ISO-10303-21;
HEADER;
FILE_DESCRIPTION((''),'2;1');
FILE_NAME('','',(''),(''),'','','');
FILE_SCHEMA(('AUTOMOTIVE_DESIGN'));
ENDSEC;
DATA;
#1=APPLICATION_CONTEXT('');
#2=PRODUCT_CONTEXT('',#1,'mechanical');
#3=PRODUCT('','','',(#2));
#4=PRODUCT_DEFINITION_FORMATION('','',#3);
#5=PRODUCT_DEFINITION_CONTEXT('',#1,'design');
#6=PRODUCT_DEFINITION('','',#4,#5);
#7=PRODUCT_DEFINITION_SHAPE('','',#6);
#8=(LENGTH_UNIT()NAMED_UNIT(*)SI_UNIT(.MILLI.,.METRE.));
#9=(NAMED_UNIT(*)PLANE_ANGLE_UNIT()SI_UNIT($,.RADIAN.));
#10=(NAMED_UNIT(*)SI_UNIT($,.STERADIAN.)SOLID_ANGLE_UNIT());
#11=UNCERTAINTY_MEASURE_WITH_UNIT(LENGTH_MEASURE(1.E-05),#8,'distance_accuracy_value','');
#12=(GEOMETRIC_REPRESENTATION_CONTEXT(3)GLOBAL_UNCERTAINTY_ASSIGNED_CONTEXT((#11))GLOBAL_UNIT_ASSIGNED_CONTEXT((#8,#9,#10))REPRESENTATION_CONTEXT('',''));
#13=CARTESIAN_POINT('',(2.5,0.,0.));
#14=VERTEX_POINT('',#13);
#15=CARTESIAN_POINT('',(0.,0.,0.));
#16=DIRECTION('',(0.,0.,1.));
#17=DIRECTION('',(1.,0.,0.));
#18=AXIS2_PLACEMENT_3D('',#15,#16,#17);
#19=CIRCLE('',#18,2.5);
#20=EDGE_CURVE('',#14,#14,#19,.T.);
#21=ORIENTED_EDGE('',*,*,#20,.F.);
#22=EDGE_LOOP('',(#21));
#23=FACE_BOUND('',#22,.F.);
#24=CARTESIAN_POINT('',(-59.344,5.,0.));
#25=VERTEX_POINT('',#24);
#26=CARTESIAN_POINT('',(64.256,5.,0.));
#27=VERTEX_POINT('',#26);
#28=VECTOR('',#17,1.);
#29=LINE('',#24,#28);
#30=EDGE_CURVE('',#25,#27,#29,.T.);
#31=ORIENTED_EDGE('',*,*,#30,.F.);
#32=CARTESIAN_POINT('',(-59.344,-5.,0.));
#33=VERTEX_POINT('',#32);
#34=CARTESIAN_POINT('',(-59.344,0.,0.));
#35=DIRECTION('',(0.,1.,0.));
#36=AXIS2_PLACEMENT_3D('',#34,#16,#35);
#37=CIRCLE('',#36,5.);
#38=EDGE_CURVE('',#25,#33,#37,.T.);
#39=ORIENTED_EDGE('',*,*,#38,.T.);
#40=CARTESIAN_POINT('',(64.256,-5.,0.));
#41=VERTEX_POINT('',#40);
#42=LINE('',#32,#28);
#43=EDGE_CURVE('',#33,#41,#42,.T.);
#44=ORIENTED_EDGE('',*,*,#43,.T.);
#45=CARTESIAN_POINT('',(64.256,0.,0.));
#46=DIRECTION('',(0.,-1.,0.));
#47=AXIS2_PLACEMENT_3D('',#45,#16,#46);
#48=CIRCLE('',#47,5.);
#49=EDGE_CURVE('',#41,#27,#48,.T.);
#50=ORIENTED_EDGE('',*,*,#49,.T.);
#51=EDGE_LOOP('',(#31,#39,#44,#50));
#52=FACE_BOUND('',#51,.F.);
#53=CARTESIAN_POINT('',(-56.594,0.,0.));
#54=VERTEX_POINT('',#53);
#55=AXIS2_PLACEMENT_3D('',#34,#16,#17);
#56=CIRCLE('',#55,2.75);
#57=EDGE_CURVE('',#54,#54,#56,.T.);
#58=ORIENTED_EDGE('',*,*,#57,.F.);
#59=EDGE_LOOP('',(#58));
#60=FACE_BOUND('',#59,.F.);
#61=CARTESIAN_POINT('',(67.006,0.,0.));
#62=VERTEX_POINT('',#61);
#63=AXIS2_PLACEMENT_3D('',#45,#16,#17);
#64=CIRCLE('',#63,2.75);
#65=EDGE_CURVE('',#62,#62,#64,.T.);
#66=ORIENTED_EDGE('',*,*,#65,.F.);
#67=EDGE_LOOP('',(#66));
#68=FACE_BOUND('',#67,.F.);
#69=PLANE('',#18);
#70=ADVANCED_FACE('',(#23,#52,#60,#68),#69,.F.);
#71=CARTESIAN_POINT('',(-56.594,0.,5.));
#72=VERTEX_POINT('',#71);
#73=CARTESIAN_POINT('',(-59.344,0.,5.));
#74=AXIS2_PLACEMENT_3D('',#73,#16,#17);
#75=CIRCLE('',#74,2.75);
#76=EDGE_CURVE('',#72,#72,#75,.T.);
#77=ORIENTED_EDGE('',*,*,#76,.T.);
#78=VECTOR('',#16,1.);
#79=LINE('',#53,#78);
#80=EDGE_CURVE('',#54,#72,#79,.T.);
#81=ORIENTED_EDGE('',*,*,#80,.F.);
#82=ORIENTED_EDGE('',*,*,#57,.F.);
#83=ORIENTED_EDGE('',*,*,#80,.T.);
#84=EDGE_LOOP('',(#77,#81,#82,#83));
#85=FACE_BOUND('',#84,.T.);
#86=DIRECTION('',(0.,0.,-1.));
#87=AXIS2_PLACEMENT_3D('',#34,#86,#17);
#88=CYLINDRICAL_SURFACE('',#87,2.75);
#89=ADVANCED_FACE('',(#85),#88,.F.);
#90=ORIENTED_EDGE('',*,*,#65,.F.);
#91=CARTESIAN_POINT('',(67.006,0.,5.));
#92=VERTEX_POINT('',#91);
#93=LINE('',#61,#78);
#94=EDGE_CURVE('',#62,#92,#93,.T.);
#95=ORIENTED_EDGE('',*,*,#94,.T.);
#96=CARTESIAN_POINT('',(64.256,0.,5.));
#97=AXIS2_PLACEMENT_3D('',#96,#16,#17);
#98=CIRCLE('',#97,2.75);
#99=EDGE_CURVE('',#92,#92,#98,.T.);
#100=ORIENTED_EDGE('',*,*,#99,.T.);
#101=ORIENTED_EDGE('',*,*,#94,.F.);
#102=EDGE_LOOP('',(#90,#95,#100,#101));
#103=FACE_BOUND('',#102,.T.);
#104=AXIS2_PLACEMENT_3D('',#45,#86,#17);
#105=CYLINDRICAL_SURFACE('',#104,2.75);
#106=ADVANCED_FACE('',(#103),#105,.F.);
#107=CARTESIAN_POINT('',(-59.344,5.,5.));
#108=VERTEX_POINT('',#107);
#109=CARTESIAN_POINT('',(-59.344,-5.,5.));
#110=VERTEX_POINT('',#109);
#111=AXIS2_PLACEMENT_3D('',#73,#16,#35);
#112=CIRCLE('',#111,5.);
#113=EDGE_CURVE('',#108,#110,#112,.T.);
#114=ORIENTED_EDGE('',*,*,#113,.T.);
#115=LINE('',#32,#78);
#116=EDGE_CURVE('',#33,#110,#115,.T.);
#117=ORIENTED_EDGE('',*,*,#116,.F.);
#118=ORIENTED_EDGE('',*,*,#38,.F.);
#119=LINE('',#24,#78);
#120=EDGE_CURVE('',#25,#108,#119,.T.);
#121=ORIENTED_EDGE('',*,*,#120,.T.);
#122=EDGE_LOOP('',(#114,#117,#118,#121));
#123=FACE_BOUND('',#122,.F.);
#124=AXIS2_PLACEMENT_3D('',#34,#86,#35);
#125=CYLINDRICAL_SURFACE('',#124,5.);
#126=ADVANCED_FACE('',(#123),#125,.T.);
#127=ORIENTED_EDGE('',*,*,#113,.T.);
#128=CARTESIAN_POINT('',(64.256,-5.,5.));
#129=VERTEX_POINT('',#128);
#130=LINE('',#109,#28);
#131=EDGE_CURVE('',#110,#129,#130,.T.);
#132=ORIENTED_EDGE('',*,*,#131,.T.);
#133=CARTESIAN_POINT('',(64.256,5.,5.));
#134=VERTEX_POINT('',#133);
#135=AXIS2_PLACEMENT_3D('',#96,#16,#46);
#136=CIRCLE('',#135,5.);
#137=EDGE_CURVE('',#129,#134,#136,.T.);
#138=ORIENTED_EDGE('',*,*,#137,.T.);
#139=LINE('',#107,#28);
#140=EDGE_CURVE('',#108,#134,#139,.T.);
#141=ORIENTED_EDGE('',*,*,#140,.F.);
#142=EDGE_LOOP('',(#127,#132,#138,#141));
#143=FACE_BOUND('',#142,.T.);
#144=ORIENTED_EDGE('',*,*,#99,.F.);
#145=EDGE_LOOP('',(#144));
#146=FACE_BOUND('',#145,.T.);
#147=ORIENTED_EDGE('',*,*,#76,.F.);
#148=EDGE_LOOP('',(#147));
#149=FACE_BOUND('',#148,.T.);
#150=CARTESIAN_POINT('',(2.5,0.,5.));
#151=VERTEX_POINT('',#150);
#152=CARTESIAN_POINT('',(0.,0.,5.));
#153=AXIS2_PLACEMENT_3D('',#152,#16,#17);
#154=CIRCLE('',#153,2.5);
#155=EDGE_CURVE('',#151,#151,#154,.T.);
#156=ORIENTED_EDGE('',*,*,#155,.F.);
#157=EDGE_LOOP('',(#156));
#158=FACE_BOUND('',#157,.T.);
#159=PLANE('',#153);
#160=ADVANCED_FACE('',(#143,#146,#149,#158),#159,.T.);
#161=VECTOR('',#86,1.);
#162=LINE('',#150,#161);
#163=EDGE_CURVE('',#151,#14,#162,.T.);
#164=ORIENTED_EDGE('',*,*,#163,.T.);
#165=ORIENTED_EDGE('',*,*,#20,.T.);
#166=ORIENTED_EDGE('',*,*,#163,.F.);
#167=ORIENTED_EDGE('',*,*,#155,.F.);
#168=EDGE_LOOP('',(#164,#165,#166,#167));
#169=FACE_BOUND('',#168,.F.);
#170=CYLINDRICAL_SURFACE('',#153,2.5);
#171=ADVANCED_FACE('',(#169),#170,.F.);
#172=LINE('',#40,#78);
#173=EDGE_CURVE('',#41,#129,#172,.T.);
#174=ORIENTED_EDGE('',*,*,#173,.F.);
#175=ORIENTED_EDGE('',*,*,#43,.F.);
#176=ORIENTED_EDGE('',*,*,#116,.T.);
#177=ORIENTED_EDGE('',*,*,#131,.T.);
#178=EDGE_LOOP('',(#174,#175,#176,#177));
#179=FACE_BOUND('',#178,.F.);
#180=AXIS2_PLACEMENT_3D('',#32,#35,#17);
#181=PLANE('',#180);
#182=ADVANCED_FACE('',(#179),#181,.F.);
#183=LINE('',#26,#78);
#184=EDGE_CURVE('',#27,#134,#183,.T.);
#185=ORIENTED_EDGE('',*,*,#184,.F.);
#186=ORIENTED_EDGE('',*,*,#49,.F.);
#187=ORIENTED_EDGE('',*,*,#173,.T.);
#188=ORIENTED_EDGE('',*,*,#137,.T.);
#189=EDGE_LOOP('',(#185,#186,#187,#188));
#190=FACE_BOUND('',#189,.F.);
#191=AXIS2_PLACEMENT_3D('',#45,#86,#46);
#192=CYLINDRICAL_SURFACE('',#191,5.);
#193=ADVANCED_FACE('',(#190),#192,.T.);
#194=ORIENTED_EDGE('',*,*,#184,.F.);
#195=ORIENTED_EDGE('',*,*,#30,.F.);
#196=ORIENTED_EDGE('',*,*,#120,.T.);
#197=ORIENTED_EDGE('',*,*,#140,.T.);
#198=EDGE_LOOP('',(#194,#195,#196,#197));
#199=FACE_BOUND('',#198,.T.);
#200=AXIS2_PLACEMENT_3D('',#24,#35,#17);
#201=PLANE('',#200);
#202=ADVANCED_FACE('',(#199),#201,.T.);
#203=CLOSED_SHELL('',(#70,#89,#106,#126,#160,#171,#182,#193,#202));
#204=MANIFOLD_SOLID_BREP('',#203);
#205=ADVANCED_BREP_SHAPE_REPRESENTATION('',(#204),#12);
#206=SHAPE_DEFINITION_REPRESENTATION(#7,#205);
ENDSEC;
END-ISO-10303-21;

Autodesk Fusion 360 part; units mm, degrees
sketch "Boceto1" plane through (0, 0, 0) normal (0, 0, 1) x (1, 0, 0)
  line L0 (0, -23.8223) -> (0, 23.8223) construction
  circle A0 centre (64.256, 0) radius 2.75
  line L1 (-59.344, 5) -> (64.256, 5)
  line L2 (0, 0) -> (11, 0) construction
  line L3 (-59.344, -5) -> (64.256, -5)
  arc A1 (64.256, -5) -> (64.256, 5) centre (64.256, 0) ccw
  circle A2 centre (-59.344, 0) radius 2.75
  arc A3 (-59.344, 5) -> (-59.344, -5) centre (-59.344, 0) ccw
  dimension "d1" = 5.5
  dimension "d2" = 64.256
  dimension "d4" = 10
  dimension "d10" = 5.5
  dimension "d11" = 123.6
  dimension "d12" = 5
extrude "Extruir1" add sketch "Boceto1" along normal blind 5
sketch "Boceto2" plane through (0, 0, 5) normal (0, 0, 1) x (1, 0, 0)
  circle A0 centre (64.256, 0) radius 2.75
  line L0 (-59.344, -5) -> (64.256, -5)
  arc A1 (64.256, -5) -> (64.256, 5) centre (64.256, 0) ccw
  line L1 (64.256, 5) -> (-59.344, 5)
  circle A2 centre (0, 0) radius 2.5
  arc A3 (-59.344, 5) -> (-59.344, -5) centre (-59.344, 0) ccw
  circle A4 centre (-59.344, 0) radius 2.75
  dimension "d8" = 5
extrude "Extruir2" cut sketch "Boceto2" against normal through all contours A2
equation "d2 = ( 128.512 / 2 ) * 1 mm"
